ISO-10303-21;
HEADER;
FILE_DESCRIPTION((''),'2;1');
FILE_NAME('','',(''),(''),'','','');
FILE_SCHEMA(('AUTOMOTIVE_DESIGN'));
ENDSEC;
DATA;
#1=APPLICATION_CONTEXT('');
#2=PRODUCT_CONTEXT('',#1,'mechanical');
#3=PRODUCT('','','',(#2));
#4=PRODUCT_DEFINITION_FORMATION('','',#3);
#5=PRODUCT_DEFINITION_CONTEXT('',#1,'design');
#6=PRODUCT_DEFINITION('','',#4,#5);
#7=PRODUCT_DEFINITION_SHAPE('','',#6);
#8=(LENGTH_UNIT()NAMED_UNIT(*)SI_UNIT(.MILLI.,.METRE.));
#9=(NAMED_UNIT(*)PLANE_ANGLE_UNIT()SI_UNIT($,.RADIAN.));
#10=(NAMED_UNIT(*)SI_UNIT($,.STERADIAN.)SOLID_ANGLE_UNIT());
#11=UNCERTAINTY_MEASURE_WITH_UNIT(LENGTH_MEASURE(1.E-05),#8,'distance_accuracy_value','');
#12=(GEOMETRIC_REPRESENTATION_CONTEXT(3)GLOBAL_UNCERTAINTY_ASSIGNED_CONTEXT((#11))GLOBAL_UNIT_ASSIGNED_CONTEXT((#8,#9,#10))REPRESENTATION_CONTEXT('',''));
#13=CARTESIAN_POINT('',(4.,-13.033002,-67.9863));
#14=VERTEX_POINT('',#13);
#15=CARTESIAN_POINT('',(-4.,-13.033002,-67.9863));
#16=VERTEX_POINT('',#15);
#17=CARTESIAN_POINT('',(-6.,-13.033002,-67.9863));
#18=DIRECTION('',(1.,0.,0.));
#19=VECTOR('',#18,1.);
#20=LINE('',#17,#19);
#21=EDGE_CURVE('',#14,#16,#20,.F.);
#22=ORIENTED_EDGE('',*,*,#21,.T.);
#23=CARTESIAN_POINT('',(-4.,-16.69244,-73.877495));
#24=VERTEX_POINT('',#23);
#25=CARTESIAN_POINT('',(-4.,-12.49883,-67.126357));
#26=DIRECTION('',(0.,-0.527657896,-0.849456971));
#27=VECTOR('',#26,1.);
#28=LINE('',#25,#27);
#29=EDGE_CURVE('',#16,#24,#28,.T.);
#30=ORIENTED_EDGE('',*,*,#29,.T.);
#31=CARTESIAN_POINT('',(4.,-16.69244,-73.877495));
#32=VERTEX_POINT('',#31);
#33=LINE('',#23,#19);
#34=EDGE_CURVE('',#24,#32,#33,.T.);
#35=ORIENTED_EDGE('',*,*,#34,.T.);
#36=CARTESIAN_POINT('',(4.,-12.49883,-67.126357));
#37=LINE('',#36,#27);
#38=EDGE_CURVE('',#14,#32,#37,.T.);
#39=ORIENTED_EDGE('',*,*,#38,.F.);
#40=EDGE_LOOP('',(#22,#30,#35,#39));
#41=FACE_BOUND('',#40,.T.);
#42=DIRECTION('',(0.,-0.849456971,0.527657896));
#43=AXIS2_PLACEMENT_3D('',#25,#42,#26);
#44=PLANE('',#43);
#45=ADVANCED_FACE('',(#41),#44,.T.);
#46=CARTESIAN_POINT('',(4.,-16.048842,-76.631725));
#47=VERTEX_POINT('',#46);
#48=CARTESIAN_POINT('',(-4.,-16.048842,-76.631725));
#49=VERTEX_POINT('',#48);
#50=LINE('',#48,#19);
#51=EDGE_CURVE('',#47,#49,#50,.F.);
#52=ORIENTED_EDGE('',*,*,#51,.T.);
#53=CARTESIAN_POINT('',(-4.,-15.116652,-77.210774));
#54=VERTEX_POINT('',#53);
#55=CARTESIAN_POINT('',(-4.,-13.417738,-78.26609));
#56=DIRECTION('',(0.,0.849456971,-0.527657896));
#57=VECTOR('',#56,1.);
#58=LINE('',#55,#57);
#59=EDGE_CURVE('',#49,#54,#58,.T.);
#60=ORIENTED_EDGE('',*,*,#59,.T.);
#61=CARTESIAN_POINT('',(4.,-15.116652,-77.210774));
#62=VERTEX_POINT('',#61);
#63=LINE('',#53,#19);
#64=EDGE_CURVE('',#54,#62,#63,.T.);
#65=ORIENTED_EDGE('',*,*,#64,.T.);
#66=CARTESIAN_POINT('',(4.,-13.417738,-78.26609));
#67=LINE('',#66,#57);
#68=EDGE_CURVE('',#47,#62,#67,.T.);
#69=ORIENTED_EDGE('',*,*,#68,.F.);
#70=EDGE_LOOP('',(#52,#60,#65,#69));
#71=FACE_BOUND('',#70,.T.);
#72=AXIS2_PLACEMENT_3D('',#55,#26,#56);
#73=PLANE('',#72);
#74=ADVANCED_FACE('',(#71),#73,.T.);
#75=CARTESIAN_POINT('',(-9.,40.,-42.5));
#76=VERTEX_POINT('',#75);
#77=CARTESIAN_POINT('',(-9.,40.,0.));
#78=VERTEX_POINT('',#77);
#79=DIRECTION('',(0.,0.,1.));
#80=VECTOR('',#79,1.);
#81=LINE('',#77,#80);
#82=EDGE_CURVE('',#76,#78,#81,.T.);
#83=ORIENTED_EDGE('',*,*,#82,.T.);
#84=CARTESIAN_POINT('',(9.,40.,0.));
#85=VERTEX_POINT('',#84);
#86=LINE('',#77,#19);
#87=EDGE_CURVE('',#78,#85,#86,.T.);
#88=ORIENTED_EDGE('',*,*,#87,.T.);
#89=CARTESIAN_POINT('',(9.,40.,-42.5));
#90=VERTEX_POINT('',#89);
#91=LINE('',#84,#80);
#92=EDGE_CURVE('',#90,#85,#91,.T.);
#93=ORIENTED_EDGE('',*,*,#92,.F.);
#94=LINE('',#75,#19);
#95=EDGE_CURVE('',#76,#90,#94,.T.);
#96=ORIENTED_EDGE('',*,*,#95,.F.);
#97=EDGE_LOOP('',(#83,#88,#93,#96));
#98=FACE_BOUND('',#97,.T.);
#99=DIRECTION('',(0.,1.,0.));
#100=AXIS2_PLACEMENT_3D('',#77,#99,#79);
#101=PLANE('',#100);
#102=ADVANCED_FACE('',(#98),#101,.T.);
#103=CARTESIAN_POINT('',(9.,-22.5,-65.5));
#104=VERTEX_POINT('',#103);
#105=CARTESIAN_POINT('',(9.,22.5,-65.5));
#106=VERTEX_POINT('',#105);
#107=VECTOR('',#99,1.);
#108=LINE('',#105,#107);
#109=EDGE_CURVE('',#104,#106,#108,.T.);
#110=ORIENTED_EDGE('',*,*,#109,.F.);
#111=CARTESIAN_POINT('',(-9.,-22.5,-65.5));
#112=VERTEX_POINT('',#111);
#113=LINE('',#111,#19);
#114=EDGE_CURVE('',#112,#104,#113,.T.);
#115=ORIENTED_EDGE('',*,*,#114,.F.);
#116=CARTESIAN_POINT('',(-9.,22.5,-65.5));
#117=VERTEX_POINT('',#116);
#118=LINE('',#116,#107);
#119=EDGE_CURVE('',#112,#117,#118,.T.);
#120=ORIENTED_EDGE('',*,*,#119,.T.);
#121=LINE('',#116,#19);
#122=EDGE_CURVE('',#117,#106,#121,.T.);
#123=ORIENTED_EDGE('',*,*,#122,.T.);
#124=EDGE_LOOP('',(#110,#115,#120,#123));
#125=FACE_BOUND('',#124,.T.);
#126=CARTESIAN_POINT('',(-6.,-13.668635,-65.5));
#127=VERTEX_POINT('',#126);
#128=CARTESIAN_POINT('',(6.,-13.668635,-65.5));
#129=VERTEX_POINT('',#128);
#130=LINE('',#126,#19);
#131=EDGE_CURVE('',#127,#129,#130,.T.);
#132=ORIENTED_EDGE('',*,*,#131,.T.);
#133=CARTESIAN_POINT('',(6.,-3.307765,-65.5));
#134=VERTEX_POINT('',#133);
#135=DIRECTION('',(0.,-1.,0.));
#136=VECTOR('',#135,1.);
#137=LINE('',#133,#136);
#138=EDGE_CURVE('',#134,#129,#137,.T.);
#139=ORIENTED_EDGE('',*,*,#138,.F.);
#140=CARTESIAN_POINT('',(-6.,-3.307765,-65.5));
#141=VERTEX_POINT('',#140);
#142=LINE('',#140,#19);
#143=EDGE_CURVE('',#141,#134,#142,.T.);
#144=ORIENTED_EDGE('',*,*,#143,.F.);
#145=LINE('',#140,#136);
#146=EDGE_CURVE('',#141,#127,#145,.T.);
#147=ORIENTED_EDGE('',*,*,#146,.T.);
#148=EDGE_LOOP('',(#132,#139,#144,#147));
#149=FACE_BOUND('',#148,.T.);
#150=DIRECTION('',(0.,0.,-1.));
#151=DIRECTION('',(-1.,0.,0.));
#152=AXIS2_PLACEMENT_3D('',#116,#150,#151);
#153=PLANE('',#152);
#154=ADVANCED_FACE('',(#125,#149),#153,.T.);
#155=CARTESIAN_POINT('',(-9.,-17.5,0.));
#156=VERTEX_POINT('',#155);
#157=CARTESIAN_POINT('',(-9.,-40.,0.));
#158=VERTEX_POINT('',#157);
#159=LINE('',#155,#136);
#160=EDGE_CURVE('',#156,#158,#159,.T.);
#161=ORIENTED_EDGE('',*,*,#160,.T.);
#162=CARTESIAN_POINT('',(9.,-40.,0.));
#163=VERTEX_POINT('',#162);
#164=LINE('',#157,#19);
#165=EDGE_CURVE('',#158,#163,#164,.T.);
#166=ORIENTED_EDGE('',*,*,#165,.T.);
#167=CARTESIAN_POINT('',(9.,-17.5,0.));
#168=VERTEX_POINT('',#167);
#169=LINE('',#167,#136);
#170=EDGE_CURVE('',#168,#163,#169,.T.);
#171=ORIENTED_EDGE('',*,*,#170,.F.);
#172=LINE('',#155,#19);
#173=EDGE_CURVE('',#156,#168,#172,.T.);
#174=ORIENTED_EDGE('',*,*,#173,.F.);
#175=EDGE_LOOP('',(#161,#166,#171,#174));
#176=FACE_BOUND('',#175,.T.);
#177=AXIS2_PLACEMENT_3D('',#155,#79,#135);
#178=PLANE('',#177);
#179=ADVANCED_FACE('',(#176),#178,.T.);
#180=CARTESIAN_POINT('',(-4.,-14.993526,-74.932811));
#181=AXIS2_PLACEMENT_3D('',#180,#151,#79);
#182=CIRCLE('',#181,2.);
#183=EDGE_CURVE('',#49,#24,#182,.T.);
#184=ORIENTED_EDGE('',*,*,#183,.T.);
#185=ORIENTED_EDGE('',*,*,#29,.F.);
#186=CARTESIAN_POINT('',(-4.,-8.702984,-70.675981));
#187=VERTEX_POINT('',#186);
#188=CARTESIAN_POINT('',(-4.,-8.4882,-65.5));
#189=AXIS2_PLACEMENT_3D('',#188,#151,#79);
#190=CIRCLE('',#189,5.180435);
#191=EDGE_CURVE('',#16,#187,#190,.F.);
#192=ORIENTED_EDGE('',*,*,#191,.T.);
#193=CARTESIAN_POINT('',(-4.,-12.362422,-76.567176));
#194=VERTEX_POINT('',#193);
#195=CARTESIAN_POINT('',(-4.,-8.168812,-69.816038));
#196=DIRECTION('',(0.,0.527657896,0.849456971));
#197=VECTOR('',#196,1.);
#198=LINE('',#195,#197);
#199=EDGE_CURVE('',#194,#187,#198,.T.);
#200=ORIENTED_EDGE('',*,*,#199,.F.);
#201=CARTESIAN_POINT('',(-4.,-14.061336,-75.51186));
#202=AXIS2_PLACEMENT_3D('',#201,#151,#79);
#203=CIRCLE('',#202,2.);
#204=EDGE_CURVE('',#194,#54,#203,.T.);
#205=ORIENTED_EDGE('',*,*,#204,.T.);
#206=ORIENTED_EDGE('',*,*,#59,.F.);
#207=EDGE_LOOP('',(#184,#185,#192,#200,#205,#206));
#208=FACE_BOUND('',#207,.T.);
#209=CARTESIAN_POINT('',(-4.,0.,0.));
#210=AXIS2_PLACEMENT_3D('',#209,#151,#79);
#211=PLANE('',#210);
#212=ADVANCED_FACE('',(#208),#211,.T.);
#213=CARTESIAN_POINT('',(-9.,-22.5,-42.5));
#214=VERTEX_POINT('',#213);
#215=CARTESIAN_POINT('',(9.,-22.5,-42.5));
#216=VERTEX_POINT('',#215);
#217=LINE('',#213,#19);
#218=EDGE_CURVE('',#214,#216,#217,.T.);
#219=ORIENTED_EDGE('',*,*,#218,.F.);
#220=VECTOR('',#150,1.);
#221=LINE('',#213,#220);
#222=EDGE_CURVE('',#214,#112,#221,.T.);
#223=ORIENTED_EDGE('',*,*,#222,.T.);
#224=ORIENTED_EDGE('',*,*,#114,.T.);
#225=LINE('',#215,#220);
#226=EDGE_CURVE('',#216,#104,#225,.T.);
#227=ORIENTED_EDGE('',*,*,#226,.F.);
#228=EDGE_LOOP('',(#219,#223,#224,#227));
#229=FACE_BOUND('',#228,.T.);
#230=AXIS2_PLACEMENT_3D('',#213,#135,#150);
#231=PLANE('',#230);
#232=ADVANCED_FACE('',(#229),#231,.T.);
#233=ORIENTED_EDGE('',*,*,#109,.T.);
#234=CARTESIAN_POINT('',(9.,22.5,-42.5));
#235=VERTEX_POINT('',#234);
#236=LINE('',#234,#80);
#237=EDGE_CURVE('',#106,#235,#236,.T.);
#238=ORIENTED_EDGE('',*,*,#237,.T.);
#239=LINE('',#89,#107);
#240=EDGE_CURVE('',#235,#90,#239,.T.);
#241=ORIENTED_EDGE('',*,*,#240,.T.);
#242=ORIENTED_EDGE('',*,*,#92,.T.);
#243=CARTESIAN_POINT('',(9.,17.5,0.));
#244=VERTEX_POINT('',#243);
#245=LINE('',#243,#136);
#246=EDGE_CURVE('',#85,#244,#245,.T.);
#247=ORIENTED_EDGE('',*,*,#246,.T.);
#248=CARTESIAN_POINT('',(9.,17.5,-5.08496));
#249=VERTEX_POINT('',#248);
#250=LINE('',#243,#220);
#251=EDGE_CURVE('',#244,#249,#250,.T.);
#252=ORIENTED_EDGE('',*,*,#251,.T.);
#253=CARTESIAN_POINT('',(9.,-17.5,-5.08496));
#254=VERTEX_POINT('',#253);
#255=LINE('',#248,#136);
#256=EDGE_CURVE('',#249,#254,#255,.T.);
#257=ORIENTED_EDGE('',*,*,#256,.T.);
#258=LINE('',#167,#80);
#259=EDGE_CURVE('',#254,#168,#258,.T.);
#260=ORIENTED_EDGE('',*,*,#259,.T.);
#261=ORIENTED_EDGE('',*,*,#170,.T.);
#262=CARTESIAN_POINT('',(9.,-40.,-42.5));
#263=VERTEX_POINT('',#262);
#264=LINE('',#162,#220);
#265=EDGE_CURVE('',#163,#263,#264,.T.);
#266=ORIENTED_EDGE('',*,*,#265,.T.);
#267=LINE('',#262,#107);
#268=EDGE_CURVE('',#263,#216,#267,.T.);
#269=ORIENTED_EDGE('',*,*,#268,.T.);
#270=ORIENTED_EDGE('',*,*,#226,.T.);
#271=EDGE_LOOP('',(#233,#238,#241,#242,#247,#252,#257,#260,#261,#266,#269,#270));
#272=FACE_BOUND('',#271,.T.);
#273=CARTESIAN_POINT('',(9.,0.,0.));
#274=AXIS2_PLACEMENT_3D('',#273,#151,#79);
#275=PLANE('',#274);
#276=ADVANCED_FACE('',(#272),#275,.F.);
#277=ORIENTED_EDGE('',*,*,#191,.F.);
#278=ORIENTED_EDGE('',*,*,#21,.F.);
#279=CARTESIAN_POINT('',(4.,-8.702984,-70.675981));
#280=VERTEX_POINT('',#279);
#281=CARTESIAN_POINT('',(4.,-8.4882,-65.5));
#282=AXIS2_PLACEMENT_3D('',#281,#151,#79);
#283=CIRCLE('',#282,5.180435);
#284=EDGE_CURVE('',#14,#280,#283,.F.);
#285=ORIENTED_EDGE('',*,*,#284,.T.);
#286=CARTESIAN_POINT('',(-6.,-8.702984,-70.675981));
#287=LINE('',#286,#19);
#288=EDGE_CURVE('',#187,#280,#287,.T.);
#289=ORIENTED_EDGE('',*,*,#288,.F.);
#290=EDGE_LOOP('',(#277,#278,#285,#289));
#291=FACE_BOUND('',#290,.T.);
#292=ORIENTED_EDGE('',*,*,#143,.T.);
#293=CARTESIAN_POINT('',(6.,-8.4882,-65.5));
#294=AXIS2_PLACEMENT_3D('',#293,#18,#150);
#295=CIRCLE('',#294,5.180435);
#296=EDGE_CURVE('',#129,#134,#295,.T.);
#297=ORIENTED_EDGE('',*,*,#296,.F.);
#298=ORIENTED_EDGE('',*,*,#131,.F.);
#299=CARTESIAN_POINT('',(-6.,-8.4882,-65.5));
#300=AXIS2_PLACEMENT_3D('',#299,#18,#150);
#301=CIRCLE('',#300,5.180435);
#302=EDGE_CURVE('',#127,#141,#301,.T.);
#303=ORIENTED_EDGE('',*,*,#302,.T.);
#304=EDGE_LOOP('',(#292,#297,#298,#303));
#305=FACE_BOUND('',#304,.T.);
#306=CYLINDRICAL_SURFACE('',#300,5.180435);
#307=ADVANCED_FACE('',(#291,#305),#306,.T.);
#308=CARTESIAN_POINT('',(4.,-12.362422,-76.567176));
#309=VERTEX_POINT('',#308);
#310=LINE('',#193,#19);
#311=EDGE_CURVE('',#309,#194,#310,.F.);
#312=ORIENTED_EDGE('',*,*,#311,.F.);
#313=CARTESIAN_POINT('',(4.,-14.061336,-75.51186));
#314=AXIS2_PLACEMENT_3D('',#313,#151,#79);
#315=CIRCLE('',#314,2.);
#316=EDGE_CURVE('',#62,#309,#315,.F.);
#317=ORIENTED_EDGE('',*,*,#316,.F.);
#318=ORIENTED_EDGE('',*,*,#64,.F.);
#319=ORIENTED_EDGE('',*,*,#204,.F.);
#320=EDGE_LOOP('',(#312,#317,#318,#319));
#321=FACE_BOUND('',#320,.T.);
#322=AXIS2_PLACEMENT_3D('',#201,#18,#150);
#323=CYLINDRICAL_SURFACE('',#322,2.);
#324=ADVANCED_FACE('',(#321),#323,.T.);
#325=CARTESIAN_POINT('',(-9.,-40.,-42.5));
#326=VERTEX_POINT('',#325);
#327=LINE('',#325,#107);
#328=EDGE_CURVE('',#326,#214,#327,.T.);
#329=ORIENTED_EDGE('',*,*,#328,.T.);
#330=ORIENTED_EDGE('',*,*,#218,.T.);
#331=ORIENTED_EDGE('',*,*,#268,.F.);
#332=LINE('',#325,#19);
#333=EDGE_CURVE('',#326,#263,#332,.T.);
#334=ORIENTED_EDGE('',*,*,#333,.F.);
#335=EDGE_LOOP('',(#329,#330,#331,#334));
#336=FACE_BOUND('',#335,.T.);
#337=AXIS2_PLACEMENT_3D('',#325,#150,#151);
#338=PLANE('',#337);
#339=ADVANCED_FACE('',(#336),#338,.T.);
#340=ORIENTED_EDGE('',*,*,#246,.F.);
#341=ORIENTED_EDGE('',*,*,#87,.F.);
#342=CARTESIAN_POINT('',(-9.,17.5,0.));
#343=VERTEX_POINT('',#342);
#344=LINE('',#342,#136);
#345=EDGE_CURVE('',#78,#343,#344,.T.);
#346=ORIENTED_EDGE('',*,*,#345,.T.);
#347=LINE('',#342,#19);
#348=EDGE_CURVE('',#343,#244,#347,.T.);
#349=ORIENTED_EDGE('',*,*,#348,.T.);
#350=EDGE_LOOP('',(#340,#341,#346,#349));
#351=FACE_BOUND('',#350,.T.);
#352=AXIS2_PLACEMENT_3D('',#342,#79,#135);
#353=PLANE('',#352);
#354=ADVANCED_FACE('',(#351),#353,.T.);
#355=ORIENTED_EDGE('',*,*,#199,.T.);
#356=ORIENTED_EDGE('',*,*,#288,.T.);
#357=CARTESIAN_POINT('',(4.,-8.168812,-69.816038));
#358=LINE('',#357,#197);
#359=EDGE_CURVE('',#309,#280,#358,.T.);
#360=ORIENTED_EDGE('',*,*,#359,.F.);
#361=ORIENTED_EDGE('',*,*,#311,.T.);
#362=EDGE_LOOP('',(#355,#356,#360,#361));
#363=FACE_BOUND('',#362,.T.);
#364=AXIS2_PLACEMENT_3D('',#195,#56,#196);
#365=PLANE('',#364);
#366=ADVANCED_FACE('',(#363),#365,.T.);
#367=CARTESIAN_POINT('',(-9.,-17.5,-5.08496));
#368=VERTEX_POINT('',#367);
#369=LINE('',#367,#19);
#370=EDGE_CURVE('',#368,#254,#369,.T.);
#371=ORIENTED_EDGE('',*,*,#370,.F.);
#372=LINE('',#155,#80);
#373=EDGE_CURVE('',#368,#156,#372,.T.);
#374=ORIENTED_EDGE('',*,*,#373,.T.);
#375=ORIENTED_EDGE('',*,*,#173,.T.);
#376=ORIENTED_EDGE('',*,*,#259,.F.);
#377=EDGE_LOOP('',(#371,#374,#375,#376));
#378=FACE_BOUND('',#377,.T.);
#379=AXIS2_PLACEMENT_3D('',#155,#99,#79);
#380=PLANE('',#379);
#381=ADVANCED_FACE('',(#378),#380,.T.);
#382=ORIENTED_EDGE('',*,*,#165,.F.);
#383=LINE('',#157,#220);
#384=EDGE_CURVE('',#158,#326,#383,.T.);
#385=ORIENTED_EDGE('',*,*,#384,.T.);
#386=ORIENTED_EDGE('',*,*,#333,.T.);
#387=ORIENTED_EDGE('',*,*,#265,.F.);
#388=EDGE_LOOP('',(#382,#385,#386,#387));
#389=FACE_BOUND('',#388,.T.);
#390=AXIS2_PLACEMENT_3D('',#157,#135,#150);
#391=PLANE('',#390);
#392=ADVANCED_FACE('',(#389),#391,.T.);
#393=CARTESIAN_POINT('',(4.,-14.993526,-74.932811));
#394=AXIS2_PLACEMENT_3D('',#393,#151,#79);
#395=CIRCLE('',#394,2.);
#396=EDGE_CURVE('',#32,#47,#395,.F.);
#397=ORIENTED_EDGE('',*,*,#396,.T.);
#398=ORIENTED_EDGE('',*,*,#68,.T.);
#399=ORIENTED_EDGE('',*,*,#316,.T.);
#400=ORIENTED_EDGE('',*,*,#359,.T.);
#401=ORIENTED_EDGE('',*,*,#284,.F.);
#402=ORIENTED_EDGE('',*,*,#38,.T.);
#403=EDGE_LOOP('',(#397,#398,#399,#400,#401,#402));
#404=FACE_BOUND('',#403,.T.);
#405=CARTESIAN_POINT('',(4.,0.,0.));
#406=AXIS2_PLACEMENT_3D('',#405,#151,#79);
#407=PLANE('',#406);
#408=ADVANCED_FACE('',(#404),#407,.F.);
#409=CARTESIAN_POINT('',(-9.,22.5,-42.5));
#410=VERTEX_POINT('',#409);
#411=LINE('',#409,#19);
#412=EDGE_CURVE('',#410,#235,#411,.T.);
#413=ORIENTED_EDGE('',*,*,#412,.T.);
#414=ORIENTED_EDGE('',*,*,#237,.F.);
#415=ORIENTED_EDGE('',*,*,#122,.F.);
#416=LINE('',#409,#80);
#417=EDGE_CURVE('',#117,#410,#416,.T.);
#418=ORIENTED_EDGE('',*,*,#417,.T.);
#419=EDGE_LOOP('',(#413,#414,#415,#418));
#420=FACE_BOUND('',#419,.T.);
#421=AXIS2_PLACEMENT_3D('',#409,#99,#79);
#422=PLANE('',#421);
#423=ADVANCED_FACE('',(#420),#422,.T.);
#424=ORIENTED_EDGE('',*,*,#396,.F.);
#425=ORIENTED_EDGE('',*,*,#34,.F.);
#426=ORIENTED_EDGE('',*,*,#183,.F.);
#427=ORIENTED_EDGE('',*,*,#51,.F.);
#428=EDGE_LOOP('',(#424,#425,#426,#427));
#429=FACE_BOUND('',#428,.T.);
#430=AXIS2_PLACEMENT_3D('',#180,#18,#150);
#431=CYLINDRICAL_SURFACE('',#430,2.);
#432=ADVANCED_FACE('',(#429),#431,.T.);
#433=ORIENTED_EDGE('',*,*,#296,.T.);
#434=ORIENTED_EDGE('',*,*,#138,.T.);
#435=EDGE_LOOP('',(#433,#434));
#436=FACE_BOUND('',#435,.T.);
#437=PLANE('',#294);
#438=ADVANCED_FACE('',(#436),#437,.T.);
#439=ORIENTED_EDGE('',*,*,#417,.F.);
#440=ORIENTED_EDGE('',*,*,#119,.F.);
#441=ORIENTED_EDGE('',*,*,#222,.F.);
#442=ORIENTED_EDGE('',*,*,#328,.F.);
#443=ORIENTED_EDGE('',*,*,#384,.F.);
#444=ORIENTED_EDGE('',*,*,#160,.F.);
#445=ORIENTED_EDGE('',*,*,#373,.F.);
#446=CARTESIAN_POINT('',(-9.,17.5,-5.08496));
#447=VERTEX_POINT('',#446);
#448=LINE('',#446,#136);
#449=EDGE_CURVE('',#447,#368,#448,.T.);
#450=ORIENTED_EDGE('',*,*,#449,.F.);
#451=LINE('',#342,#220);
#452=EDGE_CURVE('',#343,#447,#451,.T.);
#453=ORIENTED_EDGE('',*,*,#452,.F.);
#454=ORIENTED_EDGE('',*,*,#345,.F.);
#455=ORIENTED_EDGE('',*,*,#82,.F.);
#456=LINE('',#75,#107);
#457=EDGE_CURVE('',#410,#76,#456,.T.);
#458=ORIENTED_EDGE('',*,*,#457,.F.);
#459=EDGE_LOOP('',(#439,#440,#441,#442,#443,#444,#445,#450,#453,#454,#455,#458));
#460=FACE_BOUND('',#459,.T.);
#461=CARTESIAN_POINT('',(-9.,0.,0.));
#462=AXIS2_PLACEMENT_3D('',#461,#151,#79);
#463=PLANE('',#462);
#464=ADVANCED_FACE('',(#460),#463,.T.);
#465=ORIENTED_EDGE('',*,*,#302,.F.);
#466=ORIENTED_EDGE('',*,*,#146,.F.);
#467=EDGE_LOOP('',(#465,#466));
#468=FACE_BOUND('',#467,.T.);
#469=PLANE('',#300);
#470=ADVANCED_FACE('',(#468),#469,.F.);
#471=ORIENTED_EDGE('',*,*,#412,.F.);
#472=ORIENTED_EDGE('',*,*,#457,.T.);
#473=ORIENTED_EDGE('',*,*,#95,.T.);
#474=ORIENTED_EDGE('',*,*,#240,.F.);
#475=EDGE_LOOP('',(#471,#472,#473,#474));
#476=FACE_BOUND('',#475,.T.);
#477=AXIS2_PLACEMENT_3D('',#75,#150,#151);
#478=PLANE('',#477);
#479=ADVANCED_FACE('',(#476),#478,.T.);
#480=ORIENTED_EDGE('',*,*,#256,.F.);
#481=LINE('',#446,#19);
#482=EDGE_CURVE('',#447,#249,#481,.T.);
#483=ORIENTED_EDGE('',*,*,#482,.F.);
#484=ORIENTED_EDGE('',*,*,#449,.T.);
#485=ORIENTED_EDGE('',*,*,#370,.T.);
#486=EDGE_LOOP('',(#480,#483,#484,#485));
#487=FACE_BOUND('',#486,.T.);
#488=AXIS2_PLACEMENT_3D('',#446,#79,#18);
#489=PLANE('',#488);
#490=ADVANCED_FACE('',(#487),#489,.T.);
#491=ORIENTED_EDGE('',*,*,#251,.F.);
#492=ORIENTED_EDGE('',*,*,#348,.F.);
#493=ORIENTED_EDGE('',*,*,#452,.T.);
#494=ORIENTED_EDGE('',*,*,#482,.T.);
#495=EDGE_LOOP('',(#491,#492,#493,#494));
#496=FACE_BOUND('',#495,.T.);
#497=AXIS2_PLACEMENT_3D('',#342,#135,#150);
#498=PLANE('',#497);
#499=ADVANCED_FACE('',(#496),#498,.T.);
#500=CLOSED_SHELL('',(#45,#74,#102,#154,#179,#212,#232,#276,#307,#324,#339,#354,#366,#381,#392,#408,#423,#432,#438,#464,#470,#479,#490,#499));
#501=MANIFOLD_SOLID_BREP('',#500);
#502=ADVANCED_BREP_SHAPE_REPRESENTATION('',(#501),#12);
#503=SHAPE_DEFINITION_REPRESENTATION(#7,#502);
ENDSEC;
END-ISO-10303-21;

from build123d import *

# Parameters (mm, degrees)
EXTRUDE_1_DEPTH      = 9
EXTRUDE_1_DEPTH_BACK = 9
EXTRUDE_2_DEPTH      = 6
EXTRUDE_2_DEPTH_BACK = 6
EXTRUDE_3_DEPTH      = 4
EXTRUDE_3_DEPTH_BACK = 4
FILLET_2_R           = 2


with BuildPart() as part:
    # 草图1 → 凸台-拉伸1 (new, two sides: drawn at the far end of the back side and taken through both)
    with BuildSketch(Plane(origin=(0, 0, 0), x_dir=(0, 0, -1), z_dir=(1, 0, 0)).offset(-EXTRUDE_1_DEPTH_BACK)):
        Polygon((0, 17.5), (0, 40), (42.5, 40), (42.5, 22.5), (65.5, 22.5), (65.5, -22.5), (42.5, -22.5), (42.5, -40), (0, -40), (0, -17.5), (5.084959992, -17.5), (5.084959992, 17.5), align=None)
    extrude(amount=EXTRUDE_1_DEPTH + EXTRUDE_1_DEPTH_BACK)

    # 草图2 → 凸台-拉伸2 (add, two sides: drawn at the far end of the back side and taken through both)
    with BuildSketch(Plane(origin=(0, 0, 0), x_dir=(0, 0, -1), z_dir=(1, 0, 0)).offset(-EXTRUDE_2_DEPTH_BACK)):
        with BuildLine():
            Line((65.5, -3.307764834), (65.5, -13.668635082))
            ThreePointArc((65.5, -13.668635082), (70.680435124, -8.488199958), (65.5, -3.307764834))
        make_face()
    extrude(amount=EXTRUDE_2_DEPTH + EXTRUDE_2_DEPTH_BACK)

    # 草图3 → 凸台-拉伸3 (add, two sides: drawn at the far end of the back side and taken through both)
    with BuildSketch(Plane(origin=(0, 0, 0), x_dir=(0, 0, -1), z_dir=(1, 0, 0)).offset(-EXTRUDE_3_DEPTH_BACK)):
        Polygon((69.816037918, -8.168812248), (67.126357089, -12.498830138), (75.576408791, -17.747755811), (78.26608962, -13.41773792), align=None)
    extrude(amount=EXTRUDE_3_DEPTH + EXTRUDE_3_DEPTH_BACK)

    # 圆角2
    fillet_2_edges = [part.edges().sort_by_distance(p)[0] for p in [
        (0, -17.747755811, -75.576408791),
        (0, -13.41773792, -78.26608962),
    ]]
    fillet(fillet_2_edges, radius=FILLET_2_R)


solid = part.part
